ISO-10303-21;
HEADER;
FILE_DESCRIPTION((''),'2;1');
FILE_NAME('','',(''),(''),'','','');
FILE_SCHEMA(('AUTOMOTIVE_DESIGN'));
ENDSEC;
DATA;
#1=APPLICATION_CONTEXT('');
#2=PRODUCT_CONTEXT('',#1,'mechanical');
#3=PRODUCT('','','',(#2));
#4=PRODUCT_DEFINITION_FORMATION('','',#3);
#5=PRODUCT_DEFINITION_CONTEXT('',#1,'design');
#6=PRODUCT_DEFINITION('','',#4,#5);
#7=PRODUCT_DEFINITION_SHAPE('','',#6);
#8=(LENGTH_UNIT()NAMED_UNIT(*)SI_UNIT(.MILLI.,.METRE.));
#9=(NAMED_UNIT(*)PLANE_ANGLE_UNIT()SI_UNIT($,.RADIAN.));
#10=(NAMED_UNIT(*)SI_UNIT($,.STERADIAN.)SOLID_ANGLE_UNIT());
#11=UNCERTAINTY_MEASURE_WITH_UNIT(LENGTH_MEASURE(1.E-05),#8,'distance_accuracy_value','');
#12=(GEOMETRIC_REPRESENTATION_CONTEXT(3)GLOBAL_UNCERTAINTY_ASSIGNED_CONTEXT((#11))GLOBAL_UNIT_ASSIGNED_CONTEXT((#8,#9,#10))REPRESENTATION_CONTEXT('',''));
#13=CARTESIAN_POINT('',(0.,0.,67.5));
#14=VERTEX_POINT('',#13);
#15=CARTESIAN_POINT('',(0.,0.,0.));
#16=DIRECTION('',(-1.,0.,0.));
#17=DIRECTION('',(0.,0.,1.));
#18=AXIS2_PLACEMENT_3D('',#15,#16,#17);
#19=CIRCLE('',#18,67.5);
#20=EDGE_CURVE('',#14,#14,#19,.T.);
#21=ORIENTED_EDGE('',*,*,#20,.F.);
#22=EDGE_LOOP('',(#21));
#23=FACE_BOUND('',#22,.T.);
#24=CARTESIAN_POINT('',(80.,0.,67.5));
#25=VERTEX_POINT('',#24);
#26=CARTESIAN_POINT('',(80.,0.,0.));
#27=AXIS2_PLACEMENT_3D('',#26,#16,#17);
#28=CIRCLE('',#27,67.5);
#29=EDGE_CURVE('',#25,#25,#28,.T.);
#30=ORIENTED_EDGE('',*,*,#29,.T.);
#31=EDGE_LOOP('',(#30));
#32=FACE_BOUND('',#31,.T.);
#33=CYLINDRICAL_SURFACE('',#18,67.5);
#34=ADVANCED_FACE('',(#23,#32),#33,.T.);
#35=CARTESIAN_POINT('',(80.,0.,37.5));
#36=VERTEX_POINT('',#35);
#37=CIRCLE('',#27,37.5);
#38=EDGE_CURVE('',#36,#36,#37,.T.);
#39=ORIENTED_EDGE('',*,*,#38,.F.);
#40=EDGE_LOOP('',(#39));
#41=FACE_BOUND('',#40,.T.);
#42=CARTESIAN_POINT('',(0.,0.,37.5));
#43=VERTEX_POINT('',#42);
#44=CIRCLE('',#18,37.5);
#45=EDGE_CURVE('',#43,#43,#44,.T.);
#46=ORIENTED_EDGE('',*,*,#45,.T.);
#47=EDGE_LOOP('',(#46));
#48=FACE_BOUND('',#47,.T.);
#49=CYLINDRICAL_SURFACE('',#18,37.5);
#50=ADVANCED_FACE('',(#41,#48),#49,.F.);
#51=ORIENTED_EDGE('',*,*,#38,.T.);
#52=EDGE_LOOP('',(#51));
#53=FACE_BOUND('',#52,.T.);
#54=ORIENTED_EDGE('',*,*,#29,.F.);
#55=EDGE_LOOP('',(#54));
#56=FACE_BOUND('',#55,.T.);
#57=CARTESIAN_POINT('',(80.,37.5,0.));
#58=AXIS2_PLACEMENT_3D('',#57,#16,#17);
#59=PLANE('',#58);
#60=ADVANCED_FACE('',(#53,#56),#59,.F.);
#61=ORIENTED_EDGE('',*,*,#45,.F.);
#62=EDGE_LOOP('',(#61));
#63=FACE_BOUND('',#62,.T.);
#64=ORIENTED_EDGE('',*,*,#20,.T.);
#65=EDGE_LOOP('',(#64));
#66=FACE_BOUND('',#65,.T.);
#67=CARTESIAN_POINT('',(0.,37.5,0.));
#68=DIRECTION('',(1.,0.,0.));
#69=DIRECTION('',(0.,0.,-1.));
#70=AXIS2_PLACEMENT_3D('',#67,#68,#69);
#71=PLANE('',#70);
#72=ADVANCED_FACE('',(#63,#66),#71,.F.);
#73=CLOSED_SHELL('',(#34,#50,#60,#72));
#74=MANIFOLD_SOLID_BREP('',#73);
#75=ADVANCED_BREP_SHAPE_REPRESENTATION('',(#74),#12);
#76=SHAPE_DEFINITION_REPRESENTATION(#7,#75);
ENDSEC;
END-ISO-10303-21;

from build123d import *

# Parameters (mm, degrees)
SKETCH_1_W = 80
SKETCH_1_H = 30


with BuildPart() as part:
    # Эскиз1 → Повернуть1 (revolve)
    with BuildSketch(Plane.XY, mode=Mode.PRIVATE) as revolve_1_sk:
        with Locations((40, 52.5)):
            Rectangle(SKETCH_1_W, SKETCH_1_H)
    revolve(revolve_1_sk.sketch.rotate(Axis((0, 0, 0), (1, 0, 0)), 90), axis=Axis((0, 0, 0), (1, 0, 0)))


solid = part.part
